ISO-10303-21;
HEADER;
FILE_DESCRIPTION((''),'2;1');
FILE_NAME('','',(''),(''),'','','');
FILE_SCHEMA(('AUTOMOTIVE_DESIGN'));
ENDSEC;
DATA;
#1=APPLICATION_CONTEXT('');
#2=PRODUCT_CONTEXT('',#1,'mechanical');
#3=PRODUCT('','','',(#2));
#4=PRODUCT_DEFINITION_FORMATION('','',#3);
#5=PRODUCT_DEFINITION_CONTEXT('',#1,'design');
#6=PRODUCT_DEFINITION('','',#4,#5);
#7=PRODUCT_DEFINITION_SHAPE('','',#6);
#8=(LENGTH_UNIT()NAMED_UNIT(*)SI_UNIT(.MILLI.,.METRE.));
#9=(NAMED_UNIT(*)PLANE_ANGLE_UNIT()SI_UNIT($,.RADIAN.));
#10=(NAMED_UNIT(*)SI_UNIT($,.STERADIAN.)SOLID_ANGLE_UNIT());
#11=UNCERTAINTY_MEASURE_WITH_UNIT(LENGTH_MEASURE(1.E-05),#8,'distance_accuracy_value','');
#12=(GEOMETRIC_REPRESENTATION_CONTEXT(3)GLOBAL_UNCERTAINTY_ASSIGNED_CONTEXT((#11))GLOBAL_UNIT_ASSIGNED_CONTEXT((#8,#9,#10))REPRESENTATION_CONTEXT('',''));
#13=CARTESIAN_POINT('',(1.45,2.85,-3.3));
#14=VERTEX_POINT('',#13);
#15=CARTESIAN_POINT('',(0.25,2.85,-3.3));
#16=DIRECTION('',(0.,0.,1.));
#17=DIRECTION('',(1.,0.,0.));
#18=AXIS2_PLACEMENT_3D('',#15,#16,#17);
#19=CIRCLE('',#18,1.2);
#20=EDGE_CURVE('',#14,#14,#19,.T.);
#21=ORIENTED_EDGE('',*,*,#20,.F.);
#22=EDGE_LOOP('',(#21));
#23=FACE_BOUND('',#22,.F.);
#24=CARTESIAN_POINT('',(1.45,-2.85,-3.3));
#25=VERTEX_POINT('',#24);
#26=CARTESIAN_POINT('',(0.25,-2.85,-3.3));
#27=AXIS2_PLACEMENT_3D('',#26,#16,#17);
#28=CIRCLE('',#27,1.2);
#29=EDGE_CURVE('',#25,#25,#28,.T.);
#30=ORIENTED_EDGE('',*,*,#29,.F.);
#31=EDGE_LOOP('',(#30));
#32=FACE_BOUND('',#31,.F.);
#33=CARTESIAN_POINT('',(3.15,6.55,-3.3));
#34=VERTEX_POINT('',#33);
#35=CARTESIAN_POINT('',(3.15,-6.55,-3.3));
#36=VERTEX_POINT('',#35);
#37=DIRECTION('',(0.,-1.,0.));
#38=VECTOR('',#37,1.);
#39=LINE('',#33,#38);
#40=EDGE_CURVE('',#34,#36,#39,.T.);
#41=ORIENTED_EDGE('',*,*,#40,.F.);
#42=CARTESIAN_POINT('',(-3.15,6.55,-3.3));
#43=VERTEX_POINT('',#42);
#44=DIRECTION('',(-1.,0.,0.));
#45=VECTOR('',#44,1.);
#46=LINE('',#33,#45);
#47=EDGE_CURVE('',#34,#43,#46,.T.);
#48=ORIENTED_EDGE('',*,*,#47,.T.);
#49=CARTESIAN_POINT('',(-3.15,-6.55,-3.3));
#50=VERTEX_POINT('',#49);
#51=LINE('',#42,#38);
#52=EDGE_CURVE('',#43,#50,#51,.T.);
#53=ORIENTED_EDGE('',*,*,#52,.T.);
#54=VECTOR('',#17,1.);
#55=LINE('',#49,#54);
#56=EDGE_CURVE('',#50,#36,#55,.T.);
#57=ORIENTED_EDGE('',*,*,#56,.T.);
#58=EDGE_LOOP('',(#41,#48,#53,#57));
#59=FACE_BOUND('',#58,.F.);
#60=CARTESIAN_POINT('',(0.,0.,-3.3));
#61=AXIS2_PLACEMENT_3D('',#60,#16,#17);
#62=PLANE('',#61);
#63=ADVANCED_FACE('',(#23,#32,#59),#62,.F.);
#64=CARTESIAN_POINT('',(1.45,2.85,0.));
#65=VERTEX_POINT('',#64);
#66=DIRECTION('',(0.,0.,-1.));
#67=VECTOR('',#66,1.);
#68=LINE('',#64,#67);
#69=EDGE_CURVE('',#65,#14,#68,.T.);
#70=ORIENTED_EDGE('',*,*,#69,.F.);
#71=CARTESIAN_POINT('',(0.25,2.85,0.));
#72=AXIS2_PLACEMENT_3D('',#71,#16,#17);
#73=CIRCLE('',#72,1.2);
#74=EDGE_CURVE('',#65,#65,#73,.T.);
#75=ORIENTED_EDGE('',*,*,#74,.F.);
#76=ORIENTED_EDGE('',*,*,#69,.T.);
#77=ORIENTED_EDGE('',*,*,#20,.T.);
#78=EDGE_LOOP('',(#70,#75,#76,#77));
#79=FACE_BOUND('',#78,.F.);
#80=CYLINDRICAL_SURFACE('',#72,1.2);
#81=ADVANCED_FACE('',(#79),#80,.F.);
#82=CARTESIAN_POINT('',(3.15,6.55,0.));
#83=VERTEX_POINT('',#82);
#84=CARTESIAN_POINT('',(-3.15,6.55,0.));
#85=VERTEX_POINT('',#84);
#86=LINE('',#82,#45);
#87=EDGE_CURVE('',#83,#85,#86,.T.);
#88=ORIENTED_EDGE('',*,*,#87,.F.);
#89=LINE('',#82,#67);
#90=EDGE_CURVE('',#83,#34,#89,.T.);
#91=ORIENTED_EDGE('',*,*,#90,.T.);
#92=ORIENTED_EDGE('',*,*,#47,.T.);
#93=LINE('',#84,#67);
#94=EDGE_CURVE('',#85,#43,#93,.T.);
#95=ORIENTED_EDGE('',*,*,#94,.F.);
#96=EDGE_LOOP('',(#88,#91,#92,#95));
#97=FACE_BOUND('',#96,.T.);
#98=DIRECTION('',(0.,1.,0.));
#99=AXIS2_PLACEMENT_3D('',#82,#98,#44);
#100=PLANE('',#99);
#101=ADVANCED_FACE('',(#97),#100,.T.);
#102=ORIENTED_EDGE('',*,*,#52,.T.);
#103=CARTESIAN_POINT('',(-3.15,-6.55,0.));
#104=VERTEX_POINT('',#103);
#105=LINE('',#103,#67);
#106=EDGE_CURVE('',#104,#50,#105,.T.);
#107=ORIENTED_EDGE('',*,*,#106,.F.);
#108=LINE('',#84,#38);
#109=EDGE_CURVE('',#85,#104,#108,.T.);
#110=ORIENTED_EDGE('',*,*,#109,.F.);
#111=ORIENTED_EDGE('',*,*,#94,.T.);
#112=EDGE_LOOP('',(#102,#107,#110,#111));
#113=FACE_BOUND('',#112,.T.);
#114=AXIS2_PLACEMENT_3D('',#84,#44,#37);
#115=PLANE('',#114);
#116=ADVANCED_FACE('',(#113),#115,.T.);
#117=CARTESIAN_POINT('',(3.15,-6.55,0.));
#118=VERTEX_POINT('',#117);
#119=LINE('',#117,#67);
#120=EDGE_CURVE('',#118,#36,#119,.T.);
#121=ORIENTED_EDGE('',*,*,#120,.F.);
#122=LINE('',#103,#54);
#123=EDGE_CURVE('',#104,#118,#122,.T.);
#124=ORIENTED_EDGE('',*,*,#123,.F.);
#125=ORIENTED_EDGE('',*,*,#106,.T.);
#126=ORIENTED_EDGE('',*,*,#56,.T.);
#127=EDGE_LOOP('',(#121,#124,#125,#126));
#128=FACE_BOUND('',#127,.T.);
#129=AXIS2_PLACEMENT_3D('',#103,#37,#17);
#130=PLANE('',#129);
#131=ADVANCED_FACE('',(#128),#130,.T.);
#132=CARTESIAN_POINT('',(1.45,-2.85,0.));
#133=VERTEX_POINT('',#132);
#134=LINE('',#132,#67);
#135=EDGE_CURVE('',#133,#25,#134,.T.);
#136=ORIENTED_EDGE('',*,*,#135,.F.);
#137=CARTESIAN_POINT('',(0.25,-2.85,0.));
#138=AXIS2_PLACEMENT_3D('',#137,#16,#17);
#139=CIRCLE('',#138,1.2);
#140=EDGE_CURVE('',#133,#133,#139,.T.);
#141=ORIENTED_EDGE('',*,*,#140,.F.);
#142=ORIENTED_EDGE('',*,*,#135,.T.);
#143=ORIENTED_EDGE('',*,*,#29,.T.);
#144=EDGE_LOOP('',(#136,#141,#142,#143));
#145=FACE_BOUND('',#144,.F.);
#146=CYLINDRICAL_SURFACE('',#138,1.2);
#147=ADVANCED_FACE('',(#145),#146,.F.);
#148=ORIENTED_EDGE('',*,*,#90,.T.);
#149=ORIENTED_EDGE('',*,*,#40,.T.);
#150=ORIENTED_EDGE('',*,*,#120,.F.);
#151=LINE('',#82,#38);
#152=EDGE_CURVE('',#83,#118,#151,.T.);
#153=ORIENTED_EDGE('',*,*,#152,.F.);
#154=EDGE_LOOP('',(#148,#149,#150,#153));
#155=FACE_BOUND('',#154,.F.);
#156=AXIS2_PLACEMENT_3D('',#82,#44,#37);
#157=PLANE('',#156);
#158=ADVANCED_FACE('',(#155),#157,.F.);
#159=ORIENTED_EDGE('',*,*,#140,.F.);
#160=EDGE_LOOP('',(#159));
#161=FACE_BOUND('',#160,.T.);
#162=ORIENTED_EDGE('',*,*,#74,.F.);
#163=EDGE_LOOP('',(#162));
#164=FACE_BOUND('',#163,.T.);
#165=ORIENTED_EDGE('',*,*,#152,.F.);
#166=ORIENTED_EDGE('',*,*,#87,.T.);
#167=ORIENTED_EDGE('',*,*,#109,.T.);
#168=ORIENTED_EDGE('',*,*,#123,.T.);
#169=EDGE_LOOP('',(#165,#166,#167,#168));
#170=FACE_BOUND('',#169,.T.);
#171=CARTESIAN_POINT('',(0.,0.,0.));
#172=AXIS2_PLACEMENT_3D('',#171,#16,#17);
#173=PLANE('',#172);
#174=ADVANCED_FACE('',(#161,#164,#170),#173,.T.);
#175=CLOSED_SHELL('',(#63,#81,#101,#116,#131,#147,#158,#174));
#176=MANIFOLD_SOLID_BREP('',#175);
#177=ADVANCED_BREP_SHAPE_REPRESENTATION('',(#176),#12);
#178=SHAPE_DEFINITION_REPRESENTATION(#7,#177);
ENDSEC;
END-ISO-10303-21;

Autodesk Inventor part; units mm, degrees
ref_plane "YZ Plane" through (0, 0, 0) normal (1, 0, 0) x (0, 1, 0)
ref_plane "XZ Plane" through (0, 0, 0) normal (0, 1, 0) x (-1, 0, 0)
ref_plane "XY Plane" through (0, 0, 0) normal (0, 0, 1) x (1, 0, 0)
ref_plane "Plano de trabajo1" through (0, 0, 0) normal (0, 0, 1) x (1, 0, 0)
sketch "Boceto1" plane through (0, 0, 0) normal (0, 0, 1) x (1, 0, 0)
  circle A0 centre (0.25, -2.85) radius 1.2 projected
  circle A1 centre (0.25, 2.85) radius 1.2 projected
  circle A2 centre (0.25, 309.75) radius 1.2 projected
  circle A3 centre (0.25, 304.05) radius 1.2 projected
  circle A4 centre (212.8, -3.25) radius 1.65 projected
  circle A5 centre (212.8, 5.15) radius 1.65 projected
  circle A6 centre (212.8, 310.15) radius 1.65 projected
  circle A7 centre (212.8, 301.75) radius 1.65 projected
  line L0 (-3.15, -6.55) -> (3.15, -6.55) projected
  line L1 (3.15, -6.55) -> (3.15, -26.55) projected
  line L2 (3.15, -26.55) -> (209.9, -26.55) projected
  line L3 (209.9, -26.55) -> (209.9, -6.55) projected
  line L4 (209.9, -6.55) -> (217.4, -6.55) projected
  line L5 (217.4, -6.55) -> (217.4, 8.45) projected
  line L6 (217.4, 8.45) -> (209.9, 8.45) projected
  line L7 (209.9, 8.45) -> (209.9, 11.45) projected
  line L8 (209.9, 11.45) -> (221.15, 11.45) projected
  line L9 (221.15, 11.45) -> (221.15, 295.45) projected
  line L10 (221.15, 295.45) -> (209.9, 295.45) projected
  line L11 (209.9, 295.45) -> (209.9, 298.45) projected
  line L12 (209.9, 298.45) -> (217.4, 298.45) projected
  line L13 (217.4, 298.45) -> (217.4, 313.45) projected
  line L14 (217.4, 313.45) -> (209.9, 313.45) projected
  line L15 (209.9, 313.45) -> (209.9, 333.45) projected
  line L16 (209.9, 333.45) -> (3.15, 333.45) projected
  line L17 (3.15, 333.45) -> (3.15, 313.45) projected
  line L18 (3.15, 313.45) -> (-3.15, 313.45) projected
  line L19 (-3.15, 313.45) -> (-3.15, 300.35) projected
  line L20 (-3.15, 300.35) -> (3.15, 300.35) projected
  line L21 (3.15, 300.35) -> (3.15, 6.55) projected
  line L22 (3.15, 6.55) -> (-3.15, 6.55) projected
  line L23 (-3.15, 6.55) -> (-3.15, -6.55) projected
  line L24 (3.15, 6.55) -> (3.15, -6.55)
  point P0 (0, 0)
extrude "Extrusión1" add sketch "Boceto1" against normal blind 3.3 contours L23 L22 L24 L0
properties part number "Soportes pantalla"
